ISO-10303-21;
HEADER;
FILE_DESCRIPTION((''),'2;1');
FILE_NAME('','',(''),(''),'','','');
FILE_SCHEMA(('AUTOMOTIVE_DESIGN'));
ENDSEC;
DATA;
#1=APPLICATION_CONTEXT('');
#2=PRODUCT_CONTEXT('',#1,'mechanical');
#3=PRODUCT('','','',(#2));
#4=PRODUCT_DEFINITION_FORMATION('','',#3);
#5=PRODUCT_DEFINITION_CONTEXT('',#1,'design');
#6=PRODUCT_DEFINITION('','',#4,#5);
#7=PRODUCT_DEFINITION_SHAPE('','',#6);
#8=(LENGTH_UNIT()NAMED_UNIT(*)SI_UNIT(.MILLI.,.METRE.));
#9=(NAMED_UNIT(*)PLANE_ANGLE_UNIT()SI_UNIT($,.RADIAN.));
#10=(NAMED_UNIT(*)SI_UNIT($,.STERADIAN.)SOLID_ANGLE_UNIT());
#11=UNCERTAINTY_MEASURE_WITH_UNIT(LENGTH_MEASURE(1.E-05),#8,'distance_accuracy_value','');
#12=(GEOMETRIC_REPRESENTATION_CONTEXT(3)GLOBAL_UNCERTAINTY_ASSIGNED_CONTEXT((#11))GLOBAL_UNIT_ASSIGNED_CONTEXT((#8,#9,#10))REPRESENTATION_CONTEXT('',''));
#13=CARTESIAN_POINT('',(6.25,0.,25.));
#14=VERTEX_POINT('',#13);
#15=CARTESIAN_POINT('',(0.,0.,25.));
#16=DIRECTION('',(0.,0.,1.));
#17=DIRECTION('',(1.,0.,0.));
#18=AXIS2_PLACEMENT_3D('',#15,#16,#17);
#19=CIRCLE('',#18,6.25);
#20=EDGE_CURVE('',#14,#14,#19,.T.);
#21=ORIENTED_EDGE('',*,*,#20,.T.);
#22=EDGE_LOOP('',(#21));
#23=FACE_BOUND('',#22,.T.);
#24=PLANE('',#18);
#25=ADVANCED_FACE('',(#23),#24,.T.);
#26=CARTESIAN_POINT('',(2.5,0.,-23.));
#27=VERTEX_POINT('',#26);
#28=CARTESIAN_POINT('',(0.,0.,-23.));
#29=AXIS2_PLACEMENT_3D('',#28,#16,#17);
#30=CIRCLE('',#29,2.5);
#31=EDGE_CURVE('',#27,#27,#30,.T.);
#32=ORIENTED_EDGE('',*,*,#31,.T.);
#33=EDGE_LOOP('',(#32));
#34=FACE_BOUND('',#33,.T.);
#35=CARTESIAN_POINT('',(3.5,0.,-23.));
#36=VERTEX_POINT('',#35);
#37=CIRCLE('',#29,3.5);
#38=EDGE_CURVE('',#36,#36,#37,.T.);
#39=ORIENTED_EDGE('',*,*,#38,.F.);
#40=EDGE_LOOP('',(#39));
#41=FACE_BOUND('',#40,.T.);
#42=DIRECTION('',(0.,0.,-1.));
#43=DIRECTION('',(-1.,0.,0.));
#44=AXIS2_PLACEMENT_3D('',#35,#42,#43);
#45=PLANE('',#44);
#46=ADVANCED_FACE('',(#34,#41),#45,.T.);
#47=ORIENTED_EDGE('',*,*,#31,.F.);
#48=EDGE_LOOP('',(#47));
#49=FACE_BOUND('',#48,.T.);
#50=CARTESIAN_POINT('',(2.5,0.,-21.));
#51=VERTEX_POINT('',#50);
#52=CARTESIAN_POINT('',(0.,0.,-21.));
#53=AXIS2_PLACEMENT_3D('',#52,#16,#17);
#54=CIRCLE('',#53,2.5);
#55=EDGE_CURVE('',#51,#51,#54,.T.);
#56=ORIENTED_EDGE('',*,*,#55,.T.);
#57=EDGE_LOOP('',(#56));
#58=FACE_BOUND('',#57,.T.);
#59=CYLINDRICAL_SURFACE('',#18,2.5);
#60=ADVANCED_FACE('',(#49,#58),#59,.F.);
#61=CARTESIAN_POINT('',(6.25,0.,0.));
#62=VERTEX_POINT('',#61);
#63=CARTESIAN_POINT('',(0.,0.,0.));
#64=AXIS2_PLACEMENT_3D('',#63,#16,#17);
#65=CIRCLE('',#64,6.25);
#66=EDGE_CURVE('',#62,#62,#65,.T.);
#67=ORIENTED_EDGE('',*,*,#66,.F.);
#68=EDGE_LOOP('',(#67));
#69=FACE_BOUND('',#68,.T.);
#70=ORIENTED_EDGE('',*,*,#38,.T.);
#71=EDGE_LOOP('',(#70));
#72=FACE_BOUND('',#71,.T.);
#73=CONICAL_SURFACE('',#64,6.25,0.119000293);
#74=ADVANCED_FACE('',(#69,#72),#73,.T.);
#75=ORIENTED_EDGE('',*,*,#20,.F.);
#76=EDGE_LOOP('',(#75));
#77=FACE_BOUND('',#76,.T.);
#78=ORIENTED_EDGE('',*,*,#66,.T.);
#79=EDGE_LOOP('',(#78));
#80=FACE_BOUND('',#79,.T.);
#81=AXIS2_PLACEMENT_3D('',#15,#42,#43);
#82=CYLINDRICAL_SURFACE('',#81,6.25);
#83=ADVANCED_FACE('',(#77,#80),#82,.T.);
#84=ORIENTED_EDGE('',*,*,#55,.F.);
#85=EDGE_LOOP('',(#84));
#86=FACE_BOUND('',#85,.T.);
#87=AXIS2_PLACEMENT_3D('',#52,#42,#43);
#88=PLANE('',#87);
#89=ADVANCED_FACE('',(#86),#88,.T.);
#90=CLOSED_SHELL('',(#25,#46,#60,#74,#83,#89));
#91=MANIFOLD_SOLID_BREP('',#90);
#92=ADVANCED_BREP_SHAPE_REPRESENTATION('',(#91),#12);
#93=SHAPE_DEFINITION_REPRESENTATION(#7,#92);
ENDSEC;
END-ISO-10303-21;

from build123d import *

# Parameters (mm, degrees)
SKETCH1_R           = 6.25
BOSS_EXTRUDE1_DEPTH = 25


with BuildPart() as part:
    # Sketch1 → Boss-Extrude1 (new body)
    with BuildSketch(Plane.XY):
        Circle(SKETCH1_R)
    extrude(amount=BOSS_EXTRUDE1_DEPTH)

    # Sketch2 → Revolve1 (revolve)
    with BuildSketch(Plane(origin=(0, 0, 0), x_dir=(1, 0, 0), z_dir=(0, 1, 0))):
        Polygon((0, 0), (6.25, 0), (3.5, 23), (2.5, 23), (2.5, 21), (0, 21), align=None)
    revolve(axis=Axis((0, 0, 25), (0, 0, -1)))


solid = part.part
